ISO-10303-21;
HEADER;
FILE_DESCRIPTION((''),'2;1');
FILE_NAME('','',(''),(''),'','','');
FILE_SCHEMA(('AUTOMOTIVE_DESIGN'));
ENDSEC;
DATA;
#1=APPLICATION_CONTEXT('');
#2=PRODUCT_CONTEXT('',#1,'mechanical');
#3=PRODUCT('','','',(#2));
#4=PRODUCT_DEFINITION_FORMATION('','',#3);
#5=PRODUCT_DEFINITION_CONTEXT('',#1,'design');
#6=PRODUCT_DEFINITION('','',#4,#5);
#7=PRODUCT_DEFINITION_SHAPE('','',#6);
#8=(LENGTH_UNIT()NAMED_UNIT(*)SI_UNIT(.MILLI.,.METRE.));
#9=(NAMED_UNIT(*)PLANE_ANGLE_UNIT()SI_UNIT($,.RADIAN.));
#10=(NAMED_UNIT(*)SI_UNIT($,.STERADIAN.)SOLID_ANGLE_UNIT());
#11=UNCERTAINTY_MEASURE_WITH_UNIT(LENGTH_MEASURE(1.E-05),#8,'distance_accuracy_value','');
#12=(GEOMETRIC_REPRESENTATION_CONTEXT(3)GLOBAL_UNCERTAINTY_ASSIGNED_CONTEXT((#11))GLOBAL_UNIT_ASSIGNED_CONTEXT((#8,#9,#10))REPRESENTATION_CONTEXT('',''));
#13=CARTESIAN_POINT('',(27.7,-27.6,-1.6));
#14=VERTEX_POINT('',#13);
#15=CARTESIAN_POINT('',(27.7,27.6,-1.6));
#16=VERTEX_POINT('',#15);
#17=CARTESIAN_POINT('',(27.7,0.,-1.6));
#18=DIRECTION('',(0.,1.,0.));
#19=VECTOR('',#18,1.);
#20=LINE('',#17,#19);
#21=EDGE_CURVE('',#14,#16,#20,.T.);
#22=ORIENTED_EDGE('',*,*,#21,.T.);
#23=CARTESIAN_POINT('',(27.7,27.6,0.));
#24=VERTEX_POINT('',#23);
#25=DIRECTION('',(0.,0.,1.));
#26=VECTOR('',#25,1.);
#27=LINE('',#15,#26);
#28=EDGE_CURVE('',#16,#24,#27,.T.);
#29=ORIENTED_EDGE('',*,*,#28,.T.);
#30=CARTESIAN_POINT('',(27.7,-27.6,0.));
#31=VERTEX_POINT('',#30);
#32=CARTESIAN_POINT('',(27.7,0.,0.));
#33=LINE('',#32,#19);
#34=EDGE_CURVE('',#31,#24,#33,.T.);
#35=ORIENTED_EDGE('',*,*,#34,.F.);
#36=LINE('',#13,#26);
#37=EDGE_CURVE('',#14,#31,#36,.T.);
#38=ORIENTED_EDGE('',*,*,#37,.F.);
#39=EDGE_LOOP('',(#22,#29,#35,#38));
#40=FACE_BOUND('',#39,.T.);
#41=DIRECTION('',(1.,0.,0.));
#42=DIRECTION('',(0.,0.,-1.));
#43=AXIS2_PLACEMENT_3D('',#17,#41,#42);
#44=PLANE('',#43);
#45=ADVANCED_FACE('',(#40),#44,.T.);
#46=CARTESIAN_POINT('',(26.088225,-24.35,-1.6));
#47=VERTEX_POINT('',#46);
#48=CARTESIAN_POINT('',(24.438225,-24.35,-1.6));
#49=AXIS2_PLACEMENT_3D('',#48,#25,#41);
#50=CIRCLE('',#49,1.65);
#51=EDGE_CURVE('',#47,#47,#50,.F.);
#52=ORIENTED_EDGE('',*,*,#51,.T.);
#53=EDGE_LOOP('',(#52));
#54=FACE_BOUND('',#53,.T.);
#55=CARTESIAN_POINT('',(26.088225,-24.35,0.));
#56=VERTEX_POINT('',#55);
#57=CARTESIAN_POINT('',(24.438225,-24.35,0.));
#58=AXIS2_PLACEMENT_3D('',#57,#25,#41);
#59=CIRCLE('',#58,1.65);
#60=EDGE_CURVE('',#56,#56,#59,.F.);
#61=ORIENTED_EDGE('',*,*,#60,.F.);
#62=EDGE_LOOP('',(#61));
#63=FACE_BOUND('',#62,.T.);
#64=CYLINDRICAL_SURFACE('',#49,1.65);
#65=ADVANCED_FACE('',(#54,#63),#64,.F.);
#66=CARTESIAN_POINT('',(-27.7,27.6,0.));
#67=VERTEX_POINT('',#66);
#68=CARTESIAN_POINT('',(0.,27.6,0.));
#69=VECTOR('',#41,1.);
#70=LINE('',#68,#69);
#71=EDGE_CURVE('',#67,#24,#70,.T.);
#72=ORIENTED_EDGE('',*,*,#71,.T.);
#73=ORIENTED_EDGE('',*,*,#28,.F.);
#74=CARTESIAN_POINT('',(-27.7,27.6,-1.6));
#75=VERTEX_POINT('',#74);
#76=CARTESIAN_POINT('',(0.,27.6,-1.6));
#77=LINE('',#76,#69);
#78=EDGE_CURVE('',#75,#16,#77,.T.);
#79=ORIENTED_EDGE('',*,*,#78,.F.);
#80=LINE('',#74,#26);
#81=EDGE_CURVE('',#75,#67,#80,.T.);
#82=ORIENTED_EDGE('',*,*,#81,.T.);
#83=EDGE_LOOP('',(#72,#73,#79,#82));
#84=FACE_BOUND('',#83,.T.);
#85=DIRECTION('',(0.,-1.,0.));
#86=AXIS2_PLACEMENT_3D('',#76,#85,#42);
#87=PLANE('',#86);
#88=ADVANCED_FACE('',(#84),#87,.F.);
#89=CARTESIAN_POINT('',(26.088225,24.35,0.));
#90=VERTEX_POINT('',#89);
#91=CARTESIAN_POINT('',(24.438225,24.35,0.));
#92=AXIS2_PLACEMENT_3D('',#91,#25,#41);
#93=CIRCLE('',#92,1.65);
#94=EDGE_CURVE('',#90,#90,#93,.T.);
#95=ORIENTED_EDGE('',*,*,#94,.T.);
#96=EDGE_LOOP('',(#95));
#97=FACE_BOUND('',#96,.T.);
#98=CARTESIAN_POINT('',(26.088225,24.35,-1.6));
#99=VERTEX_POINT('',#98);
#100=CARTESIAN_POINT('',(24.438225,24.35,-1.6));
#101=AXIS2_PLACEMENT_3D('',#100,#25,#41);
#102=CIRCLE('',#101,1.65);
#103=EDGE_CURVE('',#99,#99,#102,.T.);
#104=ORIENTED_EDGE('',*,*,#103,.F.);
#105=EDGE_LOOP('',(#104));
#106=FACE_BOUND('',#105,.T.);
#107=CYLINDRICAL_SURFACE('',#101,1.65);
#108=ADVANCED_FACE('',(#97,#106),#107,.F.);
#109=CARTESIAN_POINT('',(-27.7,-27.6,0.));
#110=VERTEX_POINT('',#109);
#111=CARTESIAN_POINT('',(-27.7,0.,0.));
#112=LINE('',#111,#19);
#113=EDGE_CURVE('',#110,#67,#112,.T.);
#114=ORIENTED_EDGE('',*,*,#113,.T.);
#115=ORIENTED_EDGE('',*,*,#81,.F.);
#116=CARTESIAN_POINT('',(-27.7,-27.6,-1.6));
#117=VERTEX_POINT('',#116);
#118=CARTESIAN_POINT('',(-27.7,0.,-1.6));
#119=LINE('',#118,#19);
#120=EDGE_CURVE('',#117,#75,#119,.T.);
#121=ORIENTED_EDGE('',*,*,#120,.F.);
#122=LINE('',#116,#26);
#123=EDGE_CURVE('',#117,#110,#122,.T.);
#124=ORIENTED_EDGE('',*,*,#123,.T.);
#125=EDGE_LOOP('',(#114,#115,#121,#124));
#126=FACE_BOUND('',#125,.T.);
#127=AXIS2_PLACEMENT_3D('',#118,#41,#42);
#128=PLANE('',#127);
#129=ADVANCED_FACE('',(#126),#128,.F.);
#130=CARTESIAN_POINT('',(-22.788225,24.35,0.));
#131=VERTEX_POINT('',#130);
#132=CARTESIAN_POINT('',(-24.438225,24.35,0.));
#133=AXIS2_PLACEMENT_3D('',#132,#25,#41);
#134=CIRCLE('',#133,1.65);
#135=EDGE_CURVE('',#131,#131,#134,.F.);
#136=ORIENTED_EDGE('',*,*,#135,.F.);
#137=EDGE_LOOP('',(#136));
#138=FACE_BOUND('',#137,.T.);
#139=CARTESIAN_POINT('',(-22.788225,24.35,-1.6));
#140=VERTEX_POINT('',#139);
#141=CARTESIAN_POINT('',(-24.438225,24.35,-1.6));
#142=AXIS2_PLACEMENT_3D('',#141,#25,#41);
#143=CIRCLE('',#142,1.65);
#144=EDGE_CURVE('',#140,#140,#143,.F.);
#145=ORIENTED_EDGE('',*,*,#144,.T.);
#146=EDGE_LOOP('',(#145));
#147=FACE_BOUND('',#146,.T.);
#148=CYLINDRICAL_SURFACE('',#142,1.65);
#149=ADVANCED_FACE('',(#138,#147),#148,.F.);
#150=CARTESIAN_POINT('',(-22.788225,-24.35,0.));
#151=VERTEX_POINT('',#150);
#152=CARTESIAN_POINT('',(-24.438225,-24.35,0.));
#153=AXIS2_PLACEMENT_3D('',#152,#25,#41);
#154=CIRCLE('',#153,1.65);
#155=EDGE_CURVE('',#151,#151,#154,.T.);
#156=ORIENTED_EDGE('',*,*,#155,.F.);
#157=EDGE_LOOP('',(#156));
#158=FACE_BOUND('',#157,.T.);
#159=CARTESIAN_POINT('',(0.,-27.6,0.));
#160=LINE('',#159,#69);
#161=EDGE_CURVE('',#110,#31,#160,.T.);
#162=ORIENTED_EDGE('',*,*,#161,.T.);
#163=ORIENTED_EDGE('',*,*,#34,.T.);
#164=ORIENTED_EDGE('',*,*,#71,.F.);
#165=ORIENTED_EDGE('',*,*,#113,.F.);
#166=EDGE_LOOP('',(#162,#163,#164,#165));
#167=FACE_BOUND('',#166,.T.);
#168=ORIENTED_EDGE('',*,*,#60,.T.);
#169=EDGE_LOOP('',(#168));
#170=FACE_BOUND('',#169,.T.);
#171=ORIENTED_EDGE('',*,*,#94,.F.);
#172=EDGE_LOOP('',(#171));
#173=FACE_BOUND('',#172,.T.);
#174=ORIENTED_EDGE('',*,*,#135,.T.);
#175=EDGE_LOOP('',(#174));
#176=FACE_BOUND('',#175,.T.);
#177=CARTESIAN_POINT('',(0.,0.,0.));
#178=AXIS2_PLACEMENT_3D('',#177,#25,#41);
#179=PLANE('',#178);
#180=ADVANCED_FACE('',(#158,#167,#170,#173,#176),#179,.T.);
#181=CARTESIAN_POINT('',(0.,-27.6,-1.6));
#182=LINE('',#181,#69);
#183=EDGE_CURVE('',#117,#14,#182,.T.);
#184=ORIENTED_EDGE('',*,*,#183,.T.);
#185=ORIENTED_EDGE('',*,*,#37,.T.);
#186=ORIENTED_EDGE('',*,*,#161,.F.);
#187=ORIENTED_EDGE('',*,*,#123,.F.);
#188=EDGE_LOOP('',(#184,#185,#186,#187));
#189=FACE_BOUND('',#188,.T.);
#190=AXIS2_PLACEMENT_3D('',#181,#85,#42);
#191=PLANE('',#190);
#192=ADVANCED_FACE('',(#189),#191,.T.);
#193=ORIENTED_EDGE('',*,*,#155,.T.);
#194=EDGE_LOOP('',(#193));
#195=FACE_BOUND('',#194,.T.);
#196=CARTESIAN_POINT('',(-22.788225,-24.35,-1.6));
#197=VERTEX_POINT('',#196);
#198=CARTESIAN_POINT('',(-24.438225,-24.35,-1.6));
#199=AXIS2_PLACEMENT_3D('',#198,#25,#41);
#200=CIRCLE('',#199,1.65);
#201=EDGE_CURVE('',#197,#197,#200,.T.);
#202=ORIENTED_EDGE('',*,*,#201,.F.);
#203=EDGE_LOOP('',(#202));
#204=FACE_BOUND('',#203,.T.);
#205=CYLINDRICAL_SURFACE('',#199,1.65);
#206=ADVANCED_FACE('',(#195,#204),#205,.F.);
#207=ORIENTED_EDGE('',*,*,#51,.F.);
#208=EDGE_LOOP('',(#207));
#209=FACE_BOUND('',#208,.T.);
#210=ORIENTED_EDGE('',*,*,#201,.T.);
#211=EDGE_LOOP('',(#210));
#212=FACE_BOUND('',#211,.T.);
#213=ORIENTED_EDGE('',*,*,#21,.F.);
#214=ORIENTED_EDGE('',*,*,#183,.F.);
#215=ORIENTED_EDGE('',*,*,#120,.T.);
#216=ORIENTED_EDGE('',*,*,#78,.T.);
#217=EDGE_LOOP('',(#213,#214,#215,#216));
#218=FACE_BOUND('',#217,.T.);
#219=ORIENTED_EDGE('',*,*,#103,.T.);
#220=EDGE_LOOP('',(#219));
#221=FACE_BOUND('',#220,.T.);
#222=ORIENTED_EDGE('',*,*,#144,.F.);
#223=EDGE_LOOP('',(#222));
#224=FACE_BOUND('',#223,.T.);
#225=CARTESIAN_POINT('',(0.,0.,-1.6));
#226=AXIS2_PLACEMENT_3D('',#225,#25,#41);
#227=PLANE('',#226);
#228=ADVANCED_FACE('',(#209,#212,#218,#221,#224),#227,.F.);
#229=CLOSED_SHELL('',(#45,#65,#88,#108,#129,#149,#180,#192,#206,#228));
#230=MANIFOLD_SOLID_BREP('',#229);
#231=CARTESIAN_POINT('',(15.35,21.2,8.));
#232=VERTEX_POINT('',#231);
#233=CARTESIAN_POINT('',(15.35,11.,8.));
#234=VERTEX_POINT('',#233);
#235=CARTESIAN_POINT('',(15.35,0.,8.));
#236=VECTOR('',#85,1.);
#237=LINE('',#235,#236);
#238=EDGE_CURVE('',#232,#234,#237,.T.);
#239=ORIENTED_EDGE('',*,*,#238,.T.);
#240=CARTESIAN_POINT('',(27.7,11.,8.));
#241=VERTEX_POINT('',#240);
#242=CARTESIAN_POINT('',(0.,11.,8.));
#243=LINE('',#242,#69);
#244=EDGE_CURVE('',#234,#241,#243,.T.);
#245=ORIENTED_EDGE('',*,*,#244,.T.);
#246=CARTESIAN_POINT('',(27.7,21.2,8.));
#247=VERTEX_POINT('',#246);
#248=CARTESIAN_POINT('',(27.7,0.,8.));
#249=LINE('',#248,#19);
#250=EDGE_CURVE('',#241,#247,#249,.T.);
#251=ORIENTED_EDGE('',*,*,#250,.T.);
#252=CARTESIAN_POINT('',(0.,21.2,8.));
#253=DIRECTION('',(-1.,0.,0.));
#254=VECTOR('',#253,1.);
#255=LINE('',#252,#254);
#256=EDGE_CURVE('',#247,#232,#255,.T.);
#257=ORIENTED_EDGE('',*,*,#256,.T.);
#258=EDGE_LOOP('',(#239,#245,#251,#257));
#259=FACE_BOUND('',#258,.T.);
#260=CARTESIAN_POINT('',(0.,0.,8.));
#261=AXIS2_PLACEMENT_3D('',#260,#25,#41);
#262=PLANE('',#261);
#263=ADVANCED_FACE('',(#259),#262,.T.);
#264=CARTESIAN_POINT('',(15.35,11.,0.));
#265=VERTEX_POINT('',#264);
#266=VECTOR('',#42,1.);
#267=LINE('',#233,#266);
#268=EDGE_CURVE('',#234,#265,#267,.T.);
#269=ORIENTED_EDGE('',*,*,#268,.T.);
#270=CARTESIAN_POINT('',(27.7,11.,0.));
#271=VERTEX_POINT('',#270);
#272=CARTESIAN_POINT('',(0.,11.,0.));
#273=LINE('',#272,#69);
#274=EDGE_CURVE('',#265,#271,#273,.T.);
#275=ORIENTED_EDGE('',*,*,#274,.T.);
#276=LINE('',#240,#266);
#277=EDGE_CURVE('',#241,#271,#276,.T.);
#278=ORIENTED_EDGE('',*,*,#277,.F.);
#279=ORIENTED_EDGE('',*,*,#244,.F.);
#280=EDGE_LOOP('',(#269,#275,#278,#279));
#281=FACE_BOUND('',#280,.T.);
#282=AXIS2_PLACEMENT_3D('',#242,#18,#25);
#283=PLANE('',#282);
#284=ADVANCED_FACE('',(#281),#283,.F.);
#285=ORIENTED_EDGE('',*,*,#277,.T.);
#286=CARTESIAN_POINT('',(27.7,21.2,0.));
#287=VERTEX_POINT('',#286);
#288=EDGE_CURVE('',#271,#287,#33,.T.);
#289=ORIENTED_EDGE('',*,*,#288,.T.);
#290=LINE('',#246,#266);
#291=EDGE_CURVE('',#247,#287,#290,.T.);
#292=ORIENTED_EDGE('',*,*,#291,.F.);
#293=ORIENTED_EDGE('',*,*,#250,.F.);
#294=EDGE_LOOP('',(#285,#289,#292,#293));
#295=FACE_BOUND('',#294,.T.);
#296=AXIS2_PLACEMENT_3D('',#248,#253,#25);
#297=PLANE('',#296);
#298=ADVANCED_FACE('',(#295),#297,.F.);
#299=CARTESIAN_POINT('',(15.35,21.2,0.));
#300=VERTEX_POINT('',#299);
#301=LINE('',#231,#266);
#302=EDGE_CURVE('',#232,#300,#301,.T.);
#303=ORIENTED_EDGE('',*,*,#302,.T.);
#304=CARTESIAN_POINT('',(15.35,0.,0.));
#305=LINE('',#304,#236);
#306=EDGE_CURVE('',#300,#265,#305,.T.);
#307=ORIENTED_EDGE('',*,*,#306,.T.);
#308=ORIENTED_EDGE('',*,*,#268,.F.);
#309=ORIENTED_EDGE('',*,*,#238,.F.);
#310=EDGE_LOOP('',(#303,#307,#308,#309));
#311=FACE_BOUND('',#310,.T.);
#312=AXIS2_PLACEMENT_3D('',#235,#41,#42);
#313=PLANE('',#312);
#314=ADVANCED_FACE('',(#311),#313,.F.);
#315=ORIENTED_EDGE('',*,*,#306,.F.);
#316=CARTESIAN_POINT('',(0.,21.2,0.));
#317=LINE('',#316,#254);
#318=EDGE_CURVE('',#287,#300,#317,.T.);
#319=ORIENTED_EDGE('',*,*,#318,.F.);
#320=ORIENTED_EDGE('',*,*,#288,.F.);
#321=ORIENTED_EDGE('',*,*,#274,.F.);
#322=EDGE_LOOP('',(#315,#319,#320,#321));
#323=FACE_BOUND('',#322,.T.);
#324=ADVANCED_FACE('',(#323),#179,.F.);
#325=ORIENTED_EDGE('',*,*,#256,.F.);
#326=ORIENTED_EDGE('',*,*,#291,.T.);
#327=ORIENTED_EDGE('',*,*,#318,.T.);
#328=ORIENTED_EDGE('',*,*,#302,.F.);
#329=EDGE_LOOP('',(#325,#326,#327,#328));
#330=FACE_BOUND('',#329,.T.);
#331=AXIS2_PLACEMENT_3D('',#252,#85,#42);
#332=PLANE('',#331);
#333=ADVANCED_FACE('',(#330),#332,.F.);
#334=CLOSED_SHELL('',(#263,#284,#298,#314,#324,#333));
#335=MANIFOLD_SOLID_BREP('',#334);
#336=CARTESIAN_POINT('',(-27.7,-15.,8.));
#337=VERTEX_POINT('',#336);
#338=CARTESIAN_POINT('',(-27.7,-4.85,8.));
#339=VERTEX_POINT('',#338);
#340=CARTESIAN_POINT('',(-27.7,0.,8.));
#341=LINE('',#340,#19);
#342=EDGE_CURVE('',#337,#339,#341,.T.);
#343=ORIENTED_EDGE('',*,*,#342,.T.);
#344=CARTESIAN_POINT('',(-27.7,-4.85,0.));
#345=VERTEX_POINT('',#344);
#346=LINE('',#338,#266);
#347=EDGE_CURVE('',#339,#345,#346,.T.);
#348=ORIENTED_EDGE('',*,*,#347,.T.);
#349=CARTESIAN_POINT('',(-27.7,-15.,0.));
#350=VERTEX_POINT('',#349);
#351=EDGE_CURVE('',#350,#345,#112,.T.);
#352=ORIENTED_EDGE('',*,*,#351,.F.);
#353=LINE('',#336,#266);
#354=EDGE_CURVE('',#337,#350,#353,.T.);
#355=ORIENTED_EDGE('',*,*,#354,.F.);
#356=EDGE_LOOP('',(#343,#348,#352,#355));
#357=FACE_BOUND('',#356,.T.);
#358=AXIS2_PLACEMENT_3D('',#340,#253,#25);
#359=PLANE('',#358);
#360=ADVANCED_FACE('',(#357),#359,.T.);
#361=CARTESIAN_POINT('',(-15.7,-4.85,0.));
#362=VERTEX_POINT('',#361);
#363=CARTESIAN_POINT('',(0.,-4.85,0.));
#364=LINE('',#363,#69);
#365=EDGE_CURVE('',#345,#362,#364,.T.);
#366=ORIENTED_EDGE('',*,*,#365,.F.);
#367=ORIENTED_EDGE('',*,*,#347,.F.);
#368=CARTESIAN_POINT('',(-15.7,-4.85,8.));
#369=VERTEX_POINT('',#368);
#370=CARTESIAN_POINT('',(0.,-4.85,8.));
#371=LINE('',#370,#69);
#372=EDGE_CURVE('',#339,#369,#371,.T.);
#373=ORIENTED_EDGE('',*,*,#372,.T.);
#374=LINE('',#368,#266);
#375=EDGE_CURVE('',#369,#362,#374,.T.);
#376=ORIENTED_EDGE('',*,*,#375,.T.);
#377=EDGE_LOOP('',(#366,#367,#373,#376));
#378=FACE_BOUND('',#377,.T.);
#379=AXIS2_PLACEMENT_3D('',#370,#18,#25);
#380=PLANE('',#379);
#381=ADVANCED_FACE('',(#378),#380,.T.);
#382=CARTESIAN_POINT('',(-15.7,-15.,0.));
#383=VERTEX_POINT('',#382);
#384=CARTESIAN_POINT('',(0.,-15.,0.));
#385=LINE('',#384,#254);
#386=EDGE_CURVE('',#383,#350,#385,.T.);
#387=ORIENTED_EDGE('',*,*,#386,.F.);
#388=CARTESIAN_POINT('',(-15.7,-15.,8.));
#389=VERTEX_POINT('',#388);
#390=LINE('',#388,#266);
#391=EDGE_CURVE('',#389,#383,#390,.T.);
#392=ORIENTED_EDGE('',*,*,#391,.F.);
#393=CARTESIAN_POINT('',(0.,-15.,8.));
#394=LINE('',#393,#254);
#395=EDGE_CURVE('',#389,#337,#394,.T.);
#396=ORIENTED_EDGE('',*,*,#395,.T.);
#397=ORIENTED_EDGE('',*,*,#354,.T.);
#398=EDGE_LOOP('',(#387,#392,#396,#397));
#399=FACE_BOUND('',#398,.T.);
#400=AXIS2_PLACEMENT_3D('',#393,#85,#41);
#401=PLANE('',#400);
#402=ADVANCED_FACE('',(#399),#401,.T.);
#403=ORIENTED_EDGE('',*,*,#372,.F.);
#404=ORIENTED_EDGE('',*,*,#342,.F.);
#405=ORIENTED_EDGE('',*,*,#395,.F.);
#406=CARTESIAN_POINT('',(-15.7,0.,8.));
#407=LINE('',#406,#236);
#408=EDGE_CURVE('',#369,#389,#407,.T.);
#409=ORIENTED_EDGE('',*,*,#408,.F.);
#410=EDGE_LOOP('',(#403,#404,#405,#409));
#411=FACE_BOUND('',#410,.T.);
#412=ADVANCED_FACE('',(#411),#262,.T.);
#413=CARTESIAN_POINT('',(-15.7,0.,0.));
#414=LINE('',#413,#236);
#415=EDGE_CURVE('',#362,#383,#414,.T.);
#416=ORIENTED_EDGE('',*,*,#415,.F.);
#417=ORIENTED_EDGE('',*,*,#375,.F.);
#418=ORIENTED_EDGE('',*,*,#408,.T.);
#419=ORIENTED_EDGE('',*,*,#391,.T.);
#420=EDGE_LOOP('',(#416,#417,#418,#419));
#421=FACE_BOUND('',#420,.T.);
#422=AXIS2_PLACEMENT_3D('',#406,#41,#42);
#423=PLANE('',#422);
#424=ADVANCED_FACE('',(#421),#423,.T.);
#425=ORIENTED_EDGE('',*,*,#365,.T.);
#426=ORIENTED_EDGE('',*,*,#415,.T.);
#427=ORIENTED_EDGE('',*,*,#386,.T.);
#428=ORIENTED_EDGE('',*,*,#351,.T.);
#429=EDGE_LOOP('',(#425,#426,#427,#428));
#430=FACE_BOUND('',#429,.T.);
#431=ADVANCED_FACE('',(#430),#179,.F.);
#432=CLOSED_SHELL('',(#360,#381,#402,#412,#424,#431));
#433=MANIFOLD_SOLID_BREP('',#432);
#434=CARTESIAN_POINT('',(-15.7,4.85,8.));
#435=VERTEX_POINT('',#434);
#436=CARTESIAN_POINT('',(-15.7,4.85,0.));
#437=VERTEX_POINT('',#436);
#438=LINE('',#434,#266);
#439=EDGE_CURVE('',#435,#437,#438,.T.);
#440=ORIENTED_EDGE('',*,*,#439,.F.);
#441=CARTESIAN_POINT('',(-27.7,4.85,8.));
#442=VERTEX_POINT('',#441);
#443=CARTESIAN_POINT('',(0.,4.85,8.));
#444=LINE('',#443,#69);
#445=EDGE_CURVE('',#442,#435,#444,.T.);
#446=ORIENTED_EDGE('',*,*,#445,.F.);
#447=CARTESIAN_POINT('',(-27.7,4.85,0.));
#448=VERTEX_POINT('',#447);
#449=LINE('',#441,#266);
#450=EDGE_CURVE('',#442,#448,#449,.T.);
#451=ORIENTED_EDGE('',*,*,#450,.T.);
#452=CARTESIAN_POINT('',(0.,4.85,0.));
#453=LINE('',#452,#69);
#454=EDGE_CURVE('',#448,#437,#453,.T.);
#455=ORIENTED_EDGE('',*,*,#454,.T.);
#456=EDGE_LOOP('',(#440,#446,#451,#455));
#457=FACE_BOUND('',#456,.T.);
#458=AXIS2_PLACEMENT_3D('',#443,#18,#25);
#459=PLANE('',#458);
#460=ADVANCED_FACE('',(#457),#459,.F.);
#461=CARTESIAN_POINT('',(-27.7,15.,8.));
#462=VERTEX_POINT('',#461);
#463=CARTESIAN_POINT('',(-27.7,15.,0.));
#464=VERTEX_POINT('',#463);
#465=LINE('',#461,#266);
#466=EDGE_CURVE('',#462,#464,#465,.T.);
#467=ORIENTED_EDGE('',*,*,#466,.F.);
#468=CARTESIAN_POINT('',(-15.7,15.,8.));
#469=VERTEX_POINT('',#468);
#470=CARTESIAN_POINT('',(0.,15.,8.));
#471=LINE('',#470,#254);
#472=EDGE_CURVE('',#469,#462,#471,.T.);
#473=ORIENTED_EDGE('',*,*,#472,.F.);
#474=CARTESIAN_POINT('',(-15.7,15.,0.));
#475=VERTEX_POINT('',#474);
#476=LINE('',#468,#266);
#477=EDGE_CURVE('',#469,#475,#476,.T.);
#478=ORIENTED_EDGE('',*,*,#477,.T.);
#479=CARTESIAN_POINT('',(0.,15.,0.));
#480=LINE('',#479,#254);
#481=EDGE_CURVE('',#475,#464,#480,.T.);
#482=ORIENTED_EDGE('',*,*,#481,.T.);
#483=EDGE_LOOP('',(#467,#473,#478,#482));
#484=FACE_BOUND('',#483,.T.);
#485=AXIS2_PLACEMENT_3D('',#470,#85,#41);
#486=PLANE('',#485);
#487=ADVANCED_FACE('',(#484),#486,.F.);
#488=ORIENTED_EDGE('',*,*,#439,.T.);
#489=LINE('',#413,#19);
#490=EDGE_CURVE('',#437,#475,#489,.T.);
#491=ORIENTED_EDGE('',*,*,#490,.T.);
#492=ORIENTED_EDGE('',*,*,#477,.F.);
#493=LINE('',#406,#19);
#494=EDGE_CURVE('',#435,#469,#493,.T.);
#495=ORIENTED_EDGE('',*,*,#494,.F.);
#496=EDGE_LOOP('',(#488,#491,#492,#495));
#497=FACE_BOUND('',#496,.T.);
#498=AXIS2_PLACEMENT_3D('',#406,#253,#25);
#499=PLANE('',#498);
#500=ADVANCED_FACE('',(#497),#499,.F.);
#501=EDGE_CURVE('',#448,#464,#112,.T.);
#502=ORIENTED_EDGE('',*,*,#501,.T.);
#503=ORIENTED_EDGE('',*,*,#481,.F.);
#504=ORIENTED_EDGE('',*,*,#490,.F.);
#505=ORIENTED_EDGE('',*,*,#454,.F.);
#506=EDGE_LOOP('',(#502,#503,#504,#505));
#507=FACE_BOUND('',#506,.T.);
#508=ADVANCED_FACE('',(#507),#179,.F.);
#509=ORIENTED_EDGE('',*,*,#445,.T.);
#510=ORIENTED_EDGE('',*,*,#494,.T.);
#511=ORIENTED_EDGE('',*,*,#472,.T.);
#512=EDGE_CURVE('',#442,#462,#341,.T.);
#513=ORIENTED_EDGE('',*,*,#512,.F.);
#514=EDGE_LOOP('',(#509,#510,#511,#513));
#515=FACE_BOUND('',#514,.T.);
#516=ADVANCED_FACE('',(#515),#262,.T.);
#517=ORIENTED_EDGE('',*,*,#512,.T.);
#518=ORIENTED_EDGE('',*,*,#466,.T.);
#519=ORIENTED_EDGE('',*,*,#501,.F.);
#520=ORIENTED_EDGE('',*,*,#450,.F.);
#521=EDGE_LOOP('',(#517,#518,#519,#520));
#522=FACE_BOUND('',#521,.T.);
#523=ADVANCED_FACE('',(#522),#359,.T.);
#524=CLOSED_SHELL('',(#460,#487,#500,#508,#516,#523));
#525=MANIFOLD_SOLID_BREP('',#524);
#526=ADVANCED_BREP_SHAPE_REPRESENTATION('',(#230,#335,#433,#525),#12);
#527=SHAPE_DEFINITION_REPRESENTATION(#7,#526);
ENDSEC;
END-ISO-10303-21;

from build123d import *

# Parameters (mm, degrees)
SKETCH_1_W        = 55.4
SKETCH_1_H        = 55.2
SKETCH_1_R        = 1.65
EXTRUDE_1_DEPTH   = 1.6
SKETCH_1_3_W      = 12
SKETCH_1_3_H      = 10.15
EXTRUDE_2_DEPTH   = 8
EXTRUDE_2_2_DEPTH = 8
SKETCH_1_4_W      = 12.35
SKETCH_1_4_H      = 10.2
EXTRUDE_3_DEPTH   = 8


with BuildPart() as part:
    # 스케치1 → 보스-돌출1 (new body)
    with BuildSketch(Plane.XY):
        Rectangle(SKETCH_1_W, SKETCH_1_H)
        with Locations((-24.438224638, -24.35)):
            Circle(SKETCH_1_R, mode=Mode.SUBTRACT)
        with Locations((24.438224638, -24.35)):
            Circle(SKETCH_1_R, mode=Mode.SUBTRACT)
        with Locations((-24.438224638, 24.35)):
            Circle(SKETCH_1_R, mode=Mode.SUBTRACT)
        with Locations((24.438224638, 24.35)):
            Circle(SKETCH_1_R, mode=Mode.SUBTRACT)
    extrude(amount=-EXTRUDE_1_DEPTH)


with BuildPart() as body_2:
    # 스케치1<3> → 보스-돌출2 (new body)
    with BuildSketch(Plane.XY):
        with Locations((-21.7, -9.925)):
            Rectangle(SKETCH_1_3_W, SKETCH_1_3_H)
    extrude(amount=EXTRUDE_2_DEPTH)


with BuildPart() as body_3:
    # 스케치1<3> → Extrude 2 2 (new body)
    with BuildSketch(Plane.XY):
        with Locations((-21.7, 9.925)):
            Rectangle(SKETCH_1_3_W, SKETCH_1_3_H)
    extrude(amount=EXTRUDE_2_2_DEPTH)


with BuildPart() as body_4:
    # 스케치1<4> → 보스-돌출3 (new body)
    with BuildSketch(Plane.XY):
        with Locations((21.525, 16.1)):
            Rectangle(SKETCH_1_4_W, SKETCH_1_4_H)
    extrude(amount=EXTRUDE_3_DEPTH)


solid = Compound([part.part, body_2.part, body_3.part, body_4.part])
